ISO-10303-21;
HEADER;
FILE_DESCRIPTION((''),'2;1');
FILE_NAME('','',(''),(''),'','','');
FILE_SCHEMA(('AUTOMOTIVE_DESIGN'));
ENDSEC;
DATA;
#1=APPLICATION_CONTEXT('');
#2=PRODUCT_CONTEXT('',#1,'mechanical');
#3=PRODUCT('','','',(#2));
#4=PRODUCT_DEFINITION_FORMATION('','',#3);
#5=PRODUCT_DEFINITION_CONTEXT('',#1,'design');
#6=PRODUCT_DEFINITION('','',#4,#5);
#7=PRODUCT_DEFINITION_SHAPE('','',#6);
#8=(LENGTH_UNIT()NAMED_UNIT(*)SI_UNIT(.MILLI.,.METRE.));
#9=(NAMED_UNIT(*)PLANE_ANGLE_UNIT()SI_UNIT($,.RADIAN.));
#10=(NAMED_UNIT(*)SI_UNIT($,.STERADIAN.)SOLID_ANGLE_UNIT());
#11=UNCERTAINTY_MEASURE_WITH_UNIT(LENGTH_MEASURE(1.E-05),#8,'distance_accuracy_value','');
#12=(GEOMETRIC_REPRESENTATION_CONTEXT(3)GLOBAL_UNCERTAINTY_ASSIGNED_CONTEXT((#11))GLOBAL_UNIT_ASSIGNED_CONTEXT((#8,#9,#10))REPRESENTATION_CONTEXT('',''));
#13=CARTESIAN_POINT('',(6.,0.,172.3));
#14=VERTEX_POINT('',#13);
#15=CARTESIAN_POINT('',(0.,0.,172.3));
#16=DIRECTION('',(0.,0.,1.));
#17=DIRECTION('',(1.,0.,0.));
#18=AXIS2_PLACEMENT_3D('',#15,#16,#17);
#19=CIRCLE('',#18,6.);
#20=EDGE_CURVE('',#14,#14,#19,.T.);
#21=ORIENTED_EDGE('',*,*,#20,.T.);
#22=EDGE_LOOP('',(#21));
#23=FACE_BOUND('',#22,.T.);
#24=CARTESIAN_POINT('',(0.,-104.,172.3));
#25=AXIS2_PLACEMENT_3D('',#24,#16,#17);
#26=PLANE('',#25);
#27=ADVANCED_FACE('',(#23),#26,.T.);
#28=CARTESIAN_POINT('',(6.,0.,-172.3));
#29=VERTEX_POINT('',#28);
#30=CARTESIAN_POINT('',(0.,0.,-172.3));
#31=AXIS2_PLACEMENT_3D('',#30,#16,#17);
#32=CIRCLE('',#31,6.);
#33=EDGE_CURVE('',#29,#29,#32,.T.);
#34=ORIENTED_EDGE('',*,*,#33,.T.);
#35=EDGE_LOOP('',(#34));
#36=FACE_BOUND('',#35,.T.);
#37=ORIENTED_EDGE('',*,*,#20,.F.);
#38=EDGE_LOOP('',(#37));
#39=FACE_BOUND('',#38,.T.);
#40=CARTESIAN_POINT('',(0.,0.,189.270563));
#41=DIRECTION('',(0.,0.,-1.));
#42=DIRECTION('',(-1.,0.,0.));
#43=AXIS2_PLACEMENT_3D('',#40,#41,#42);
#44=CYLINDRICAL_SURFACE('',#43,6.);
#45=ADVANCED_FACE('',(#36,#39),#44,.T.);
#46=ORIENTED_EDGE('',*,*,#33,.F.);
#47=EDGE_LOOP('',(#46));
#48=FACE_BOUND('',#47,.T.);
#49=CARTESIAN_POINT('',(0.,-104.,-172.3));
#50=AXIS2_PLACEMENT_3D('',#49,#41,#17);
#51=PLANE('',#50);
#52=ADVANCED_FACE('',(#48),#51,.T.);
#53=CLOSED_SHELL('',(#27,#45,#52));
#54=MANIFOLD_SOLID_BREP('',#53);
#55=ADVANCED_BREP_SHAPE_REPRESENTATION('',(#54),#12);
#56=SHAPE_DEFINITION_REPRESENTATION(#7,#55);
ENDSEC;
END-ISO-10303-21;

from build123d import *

# Parameters (mm, degrees)
SKETCH_1_R      = 6
EXTRUDE_1_DEPTH = 172.3


with BuildPart() as part:
    # Эскиз1 → Бобышка-Вытянуть1 (new body)
    with BuildSketch(Plane.XY):
        Circle(SKETCH_1_R)
    extrude(amount=EXTRUDE_1_DEPTH)

    # Зеркальное отражение1: part across plane


with BuildPart() as part_1:
    add(part.part)
    add(part.part.mirror(Plane.XY))


solid = part_1.part
